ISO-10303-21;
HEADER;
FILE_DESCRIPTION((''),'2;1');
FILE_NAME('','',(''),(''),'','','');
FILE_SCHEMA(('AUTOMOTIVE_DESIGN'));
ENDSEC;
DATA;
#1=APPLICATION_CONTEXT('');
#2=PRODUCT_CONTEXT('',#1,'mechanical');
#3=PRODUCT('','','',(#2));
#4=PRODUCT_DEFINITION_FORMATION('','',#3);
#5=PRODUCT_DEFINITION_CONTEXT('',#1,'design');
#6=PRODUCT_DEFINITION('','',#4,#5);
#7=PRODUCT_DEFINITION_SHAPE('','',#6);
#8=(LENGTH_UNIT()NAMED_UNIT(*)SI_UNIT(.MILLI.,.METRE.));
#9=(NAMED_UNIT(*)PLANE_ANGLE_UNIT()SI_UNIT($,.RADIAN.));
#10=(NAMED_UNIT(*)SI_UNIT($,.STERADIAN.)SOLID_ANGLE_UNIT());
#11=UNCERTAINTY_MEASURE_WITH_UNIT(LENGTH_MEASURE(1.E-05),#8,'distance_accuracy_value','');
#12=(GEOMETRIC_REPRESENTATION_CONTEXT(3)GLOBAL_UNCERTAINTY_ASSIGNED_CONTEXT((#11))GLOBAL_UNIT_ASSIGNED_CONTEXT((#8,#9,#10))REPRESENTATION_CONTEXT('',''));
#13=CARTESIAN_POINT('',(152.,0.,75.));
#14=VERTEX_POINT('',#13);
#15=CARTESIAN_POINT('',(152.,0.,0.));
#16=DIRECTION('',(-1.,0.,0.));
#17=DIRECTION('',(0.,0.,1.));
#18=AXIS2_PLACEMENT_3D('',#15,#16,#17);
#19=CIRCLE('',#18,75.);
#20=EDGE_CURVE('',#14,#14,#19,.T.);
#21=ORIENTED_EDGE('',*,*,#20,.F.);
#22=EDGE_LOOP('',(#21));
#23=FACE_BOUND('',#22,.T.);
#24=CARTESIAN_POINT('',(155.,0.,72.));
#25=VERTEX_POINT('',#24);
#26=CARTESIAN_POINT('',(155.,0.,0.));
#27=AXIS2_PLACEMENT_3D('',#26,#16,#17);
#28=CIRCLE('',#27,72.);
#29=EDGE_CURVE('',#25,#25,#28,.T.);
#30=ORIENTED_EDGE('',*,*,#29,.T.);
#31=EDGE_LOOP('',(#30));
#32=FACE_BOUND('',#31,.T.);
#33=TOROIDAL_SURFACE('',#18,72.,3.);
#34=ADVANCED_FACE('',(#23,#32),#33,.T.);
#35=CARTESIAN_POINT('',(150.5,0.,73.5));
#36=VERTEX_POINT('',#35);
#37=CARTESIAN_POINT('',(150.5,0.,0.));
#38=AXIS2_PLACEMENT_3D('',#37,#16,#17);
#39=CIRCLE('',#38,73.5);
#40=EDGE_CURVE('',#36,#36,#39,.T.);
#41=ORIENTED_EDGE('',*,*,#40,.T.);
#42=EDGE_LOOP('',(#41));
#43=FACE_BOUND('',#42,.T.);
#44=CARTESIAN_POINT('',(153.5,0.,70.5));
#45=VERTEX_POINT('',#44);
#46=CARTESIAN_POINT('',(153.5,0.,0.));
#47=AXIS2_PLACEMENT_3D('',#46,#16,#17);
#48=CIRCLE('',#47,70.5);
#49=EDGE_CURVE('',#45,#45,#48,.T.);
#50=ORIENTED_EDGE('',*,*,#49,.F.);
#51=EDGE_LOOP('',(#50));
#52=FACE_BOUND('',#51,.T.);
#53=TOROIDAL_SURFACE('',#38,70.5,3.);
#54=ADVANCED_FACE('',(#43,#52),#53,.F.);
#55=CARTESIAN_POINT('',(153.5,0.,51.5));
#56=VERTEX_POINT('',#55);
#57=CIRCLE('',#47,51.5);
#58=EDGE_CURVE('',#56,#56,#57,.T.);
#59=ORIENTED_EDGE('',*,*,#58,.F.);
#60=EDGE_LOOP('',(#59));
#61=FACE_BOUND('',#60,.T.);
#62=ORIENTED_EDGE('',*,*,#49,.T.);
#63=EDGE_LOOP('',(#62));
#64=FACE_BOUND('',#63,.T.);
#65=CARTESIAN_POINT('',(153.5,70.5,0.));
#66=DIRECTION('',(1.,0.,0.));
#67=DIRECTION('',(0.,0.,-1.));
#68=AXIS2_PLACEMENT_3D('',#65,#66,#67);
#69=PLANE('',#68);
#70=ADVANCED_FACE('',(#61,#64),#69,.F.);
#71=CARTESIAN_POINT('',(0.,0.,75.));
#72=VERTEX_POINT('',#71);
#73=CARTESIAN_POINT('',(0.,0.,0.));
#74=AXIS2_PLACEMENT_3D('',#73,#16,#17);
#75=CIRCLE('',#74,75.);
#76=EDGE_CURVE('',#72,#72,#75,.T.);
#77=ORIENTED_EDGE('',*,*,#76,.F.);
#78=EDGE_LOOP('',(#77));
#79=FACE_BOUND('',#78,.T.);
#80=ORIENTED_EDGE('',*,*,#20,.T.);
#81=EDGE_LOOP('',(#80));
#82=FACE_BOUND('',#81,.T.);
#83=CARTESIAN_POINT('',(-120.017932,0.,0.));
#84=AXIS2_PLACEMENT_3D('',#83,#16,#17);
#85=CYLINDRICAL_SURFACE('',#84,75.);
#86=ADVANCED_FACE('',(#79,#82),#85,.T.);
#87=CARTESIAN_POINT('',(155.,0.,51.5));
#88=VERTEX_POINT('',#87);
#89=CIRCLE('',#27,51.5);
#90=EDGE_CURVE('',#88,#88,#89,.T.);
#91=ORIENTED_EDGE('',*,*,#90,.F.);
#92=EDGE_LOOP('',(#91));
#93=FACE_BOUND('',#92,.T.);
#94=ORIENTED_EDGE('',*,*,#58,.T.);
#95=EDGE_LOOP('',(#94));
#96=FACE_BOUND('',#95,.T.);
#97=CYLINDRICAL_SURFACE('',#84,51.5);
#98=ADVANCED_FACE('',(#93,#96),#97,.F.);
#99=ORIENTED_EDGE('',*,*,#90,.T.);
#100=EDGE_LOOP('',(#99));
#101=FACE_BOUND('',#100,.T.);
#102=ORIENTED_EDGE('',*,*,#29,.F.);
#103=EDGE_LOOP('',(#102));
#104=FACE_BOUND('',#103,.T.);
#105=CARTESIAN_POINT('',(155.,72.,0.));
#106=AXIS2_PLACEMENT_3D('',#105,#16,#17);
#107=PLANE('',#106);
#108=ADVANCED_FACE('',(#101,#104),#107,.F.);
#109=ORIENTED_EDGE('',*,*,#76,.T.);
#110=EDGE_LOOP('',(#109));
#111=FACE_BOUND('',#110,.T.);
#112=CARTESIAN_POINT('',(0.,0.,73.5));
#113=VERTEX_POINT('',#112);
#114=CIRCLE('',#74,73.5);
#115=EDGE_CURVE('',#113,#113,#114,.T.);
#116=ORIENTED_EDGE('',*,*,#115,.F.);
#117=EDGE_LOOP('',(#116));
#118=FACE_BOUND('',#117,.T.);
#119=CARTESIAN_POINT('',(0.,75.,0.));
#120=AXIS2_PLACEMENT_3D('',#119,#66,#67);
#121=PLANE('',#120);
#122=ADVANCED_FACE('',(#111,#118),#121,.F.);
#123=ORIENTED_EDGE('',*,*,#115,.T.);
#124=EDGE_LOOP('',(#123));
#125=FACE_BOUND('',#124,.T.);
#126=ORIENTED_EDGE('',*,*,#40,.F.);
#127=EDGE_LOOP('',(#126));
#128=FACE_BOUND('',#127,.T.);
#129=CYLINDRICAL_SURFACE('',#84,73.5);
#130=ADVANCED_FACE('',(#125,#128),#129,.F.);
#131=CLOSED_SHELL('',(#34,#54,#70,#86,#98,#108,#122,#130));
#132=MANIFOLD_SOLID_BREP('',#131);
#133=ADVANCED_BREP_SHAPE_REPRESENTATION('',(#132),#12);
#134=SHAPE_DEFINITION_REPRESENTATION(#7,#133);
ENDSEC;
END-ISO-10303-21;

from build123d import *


with BuildPart() as part:
    # Sketch1 → Revolve1 (revolve)
    with BuildSketch(Plane.XY, mode=Mode.PRIVATE) as revolve1_sk:
        with BuildLine():
            Line((0, 75), (152, 75))
            ThreePointArc((152, 75), (154.121320344, 74.121320344), (155, 72))
            Line((155, 72), (155, 51.5))
            Line((155, 51.5), (153.5, 51.5))
            Line((153.5, 51.5), (153.5, 70.5))
            ThreePointArc((153.5, 70.5), (152.621320344, 72.621320344), (150.5, 73.5))
            Line((150.5, 73.5), (0, 73.5))
            Line((0, 73.5), (0, 75))
        make_face()
    revolve(revolve1_sk.sketch.rotate(Axis((-120.017932179, 0, 0), (1, 0, 0)), 90), axis=Axis((-120.017932179, 0, 0), (1, 0, 0)))


solid = part.part
